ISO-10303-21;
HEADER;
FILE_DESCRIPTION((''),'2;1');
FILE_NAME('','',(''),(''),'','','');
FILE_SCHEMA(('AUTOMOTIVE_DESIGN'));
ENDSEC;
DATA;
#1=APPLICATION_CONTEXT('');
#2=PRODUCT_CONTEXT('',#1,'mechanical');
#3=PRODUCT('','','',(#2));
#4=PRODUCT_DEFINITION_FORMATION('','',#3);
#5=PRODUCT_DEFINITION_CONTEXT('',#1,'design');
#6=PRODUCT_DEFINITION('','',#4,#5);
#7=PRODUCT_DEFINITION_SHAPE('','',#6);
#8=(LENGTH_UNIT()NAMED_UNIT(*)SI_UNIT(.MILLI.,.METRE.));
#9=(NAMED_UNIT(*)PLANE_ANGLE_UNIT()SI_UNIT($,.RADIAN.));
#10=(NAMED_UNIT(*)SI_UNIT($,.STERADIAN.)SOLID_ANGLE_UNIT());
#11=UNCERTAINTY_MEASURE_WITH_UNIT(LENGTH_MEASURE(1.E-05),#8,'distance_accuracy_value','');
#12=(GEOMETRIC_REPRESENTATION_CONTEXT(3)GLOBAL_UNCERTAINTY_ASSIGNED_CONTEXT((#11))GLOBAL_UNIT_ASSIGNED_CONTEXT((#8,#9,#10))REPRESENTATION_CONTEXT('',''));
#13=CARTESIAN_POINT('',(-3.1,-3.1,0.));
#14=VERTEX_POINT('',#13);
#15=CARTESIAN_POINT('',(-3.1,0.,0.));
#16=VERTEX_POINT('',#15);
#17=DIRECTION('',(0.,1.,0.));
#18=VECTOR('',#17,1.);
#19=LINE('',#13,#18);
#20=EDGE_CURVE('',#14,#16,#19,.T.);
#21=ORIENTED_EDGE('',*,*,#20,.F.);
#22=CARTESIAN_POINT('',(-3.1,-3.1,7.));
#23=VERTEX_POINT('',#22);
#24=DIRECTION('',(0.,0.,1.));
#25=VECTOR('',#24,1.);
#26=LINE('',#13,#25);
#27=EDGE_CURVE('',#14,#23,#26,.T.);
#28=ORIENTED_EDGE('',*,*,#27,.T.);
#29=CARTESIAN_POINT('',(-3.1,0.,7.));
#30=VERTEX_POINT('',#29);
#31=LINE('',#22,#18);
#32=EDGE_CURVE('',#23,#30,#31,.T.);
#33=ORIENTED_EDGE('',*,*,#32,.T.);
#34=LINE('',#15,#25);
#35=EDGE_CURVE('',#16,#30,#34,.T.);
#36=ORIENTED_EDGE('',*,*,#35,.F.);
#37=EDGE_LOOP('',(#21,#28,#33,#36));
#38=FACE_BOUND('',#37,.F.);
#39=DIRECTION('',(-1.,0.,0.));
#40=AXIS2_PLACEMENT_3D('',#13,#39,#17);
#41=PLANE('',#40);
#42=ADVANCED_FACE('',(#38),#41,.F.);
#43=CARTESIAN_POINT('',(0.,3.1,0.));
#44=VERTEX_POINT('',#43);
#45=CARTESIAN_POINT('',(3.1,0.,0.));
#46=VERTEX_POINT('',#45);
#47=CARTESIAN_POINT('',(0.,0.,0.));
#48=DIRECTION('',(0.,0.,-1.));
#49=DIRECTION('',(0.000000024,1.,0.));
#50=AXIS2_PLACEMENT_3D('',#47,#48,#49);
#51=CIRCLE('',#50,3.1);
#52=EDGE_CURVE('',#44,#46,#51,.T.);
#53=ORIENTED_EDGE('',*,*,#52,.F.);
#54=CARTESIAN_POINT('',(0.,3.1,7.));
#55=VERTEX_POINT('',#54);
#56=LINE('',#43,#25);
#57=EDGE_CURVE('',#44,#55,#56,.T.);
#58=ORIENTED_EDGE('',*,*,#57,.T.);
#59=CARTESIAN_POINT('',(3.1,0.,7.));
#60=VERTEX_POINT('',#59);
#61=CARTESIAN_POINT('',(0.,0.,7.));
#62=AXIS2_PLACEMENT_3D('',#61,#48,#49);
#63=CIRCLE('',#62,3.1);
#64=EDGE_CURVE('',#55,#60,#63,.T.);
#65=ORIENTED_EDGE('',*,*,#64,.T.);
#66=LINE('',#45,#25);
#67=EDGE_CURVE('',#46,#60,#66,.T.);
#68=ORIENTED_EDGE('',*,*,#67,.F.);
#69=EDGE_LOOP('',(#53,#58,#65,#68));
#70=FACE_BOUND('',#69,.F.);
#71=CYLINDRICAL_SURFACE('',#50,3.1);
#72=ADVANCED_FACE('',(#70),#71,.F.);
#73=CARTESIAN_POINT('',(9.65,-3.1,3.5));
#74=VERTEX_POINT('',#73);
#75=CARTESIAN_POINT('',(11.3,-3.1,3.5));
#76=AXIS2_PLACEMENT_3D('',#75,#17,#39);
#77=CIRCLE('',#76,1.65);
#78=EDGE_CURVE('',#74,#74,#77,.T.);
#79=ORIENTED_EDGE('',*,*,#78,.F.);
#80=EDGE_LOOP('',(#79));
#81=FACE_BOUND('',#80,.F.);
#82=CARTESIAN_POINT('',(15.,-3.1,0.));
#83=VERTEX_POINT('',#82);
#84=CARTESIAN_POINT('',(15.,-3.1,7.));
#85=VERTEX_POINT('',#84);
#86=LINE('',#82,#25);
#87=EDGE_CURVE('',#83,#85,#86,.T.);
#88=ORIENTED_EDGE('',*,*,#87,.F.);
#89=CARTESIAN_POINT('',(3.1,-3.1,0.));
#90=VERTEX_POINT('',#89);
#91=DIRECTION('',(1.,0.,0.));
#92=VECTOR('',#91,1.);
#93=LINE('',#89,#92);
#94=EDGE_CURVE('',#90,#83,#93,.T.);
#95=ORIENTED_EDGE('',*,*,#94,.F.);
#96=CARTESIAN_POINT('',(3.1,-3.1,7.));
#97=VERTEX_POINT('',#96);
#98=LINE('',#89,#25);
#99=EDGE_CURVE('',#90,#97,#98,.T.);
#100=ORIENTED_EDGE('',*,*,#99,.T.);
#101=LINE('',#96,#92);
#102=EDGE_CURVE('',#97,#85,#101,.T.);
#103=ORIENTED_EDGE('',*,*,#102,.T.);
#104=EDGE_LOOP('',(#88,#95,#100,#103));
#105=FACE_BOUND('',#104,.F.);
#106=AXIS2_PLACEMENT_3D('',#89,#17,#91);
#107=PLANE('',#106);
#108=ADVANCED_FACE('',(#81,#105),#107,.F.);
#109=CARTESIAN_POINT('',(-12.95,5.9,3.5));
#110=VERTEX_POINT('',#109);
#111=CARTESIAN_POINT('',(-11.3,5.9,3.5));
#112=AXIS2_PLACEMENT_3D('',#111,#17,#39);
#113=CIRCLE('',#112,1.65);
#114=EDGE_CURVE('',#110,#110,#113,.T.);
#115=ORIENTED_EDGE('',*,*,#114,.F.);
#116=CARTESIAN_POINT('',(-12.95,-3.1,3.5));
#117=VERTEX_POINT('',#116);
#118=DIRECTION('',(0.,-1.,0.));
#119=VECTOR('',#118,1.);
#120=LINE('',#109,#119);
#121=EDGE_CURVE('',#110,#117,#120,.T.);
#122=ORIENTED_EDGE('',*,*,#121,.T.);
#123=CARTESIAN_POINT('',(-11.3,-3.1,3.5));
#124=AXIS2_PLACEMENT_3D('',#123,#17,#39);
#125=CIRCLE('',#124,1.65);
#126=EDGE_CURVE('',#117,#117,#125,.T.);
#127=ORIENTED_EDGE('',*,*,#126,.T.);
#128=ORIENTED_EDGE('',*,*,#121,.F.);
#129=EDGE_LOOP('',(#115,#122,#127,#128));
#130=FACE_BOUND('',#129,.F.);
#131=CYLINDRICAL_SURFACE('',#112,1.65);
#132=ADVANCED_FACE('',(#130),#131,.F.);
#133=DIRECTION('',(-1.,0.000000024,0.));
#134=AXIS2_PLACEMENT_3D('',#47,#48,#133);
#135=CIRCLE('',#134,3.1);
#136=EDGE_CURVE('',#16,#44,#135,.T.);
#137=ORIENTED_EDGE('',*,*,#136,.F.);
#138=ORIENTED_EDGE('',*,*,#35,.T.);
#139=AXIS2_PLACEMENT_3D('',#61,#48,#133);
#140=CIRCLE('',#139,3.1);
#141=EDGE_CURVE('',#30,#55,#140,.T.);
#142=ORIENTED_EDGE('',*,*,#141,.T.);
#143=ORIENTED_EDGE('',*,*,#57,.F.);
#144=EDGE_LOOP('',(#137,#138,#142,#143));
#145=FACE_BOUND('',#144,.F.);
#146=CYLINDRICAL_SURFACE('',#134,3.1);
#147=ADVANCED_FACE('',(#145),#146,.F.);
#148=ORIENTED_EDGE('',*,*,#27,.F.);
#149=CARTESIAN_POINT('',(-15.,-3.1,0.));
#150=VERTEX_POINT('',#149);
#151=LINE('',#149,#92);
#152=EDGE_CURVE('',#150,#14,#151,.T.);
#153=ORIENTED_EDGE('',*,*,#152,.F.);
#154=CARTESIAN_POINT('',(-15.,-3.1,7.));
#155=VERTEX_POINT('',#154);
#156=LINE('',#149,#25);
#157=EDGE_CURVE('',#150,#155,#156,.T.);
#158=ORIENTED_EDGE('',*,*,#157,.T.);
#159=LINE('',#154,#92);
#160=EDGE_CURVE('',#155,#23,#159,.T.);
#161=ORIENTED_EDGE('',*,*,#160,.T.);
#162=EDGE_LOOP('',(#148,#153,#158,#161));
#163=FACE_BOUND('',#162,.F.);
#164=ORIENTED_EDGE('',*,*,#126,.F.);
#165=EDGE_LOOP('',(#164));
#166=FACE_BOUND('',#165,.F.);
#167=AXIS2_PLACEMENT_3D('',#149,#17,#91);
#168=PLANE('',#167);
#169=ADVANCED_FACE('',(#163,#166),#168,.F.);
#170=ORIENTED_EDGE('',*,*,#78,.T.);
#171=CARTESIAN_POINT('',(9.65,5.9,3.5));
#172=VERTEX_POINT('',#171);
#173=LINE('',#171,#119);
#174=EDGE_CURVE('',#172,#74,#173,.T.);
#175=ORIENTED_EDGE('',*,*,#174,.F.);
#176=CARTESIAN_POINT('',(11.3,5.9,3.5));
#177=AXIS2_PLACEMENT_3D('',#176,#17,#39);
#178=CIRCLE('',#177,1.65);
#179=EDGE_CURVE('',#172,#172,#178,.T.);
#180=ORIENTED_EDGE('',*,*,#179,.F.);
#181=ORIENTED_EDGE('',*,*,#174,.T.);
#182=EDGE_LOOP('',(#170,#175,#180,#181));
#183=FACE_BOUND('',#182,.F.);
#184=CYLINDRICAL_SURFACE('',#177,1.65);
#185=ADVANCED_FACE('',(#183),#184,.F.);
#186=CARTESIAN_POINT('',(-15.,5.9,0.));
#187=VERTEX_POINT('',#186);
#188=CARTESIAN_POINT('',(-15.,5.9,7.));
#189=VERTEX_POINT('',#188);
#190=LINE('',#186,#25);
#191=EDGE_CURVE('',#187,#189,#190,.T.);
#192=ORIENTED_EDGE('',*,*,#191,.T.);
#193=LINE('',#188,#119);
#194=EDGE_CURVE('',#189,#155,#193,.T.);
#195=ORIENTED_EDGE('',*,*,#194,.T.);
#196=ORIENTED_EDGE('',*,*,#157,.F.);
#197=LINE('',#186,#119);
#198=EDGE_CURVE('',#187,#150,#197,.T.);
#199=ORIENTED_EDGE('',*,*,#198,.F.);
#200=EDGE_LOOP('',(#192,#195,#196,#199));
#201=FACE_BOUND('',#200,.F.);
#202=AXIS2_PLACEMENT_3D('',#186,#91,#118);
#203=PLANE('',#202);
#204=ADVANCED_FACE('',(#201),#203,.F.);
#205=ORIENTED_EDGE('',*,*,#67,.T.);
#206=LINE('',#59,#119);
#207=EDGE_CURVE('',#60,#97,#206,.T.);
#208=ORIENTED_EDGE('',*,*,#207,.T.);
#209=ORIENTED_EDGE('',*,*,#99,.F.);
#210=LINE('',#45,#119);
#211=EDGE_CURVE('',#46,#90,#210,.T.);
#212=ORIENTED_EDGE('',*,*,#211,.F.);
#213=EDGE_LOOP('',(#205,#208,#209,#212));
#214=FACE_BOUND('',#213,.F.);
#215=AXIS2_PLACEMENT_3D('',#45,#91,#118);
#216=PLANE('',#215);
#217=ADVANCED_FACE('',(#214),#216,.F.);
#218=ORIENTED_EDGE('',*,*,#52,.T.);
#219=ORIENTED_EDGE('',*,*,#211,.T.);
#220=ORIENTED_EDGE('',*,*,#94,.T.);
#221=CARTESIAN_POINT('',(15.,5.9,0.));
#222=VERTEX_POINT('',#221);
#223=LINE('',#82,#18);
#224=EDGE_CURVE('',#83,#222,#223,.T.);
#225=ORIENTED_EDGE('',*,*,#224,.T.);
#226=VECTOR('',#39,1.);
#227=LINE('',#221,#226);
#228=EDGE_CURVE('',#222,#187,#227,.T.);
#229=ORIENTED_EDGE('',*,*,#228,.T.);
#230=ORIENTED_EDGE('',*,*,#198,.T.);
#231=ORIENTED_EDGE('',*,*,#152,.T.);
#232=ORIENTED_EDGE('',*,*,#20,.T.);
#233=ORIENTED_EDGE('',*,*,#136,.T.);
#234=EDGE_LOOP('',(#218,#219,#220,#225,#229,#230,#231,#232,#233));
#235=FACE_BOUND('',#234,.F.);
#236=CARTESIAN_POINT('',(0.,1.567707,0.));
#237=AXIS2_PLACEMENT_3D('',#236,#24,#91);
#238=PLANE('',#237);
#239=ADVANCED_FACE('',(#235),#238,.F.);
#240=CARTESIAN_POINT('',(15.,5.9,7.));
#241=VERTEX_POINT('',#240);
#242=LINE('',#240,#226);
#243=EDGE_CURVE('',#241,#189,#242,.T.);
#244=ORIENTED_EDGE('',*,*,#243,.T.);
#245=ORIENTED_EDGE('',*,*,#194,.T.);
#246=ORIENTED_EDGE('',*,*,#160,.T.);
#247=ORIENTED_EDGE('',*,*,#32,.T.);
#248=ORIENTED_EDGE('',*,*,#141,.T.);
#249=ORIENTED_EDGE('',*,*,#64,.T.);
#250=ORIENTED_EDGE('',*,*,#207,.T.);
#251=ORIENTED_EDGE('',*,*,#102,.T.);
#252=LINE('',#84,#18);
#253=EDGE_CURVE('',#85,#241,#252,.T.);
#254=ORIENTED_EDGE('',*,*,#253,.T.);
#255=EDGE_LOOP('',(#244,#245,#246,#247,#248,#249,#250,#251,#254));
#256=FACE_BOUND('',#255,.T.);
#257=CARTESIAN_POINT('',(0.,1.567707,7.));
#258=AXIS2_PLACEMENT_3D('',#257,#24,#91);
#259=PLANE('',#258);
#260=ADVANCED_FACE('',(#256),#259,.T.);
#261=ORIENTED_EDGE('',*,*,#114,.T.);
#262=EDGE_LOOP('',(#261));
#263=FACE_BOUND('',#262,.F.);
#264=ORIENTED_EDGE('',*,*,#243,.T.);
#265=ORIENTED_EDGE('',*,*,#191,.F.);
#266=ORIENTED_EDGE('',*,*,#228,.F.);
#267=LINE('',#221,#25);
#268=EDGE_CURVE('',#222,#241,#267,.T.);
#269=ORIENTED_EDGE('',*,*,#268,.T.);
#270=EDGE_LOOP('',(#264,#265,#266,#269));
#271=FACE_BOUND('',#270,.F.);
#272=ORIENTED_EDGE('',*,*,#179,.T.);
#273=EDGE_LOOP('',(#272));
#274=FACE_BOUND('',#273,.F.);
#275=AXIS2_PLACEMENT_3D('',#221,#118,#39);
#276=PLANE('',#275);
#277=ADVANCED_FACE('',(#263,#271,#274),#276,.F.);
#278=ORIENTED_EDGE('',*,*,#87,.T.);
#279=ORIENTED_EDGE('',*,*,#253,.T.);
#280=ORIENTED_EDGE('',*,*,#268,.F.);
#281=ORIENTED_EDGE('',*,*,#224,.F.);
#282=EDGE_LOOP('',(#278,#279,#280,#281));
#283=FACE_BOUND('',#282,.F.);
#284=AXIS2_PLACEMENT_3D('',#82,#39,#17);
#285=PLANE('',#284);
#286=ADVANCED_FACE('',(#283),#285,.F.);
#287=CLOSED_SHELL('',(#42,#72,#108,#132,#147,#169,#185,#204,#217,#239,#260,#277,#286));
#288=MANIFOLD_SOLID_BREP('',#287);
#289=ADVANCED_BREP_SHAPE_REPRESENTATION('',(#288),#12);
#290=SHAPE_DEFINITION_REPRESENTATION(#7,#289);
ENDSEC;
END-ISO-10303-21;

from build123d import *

# Parameters (mm, degrees)
F1_DEPTH = 7
F2_R     = 1.65
F3_DEPTH = 9.001


with BuildPart() as f1:
    # F0 (on Top) → F1 (new body)
    with BuildSketch(Plane.XY):
        with BuildLine():
            ThreePointArc((0, 3.1), (2.192031, 2.192031), (3.1, 0))
            Line((3.1, 0), (3.1, -3.1))
            Line((3.1, -3.1), (15, -3.1))
            Line((15, -3.1), (15, 5.9))
            Line((15, 5.9), (0, 5.9))
            Line((0, 5.9), (-15, 5.9))
            Line((-15, 5.9), (-15, -3.1))
            Line((-15, -3.1), (-3.1, -3.1))
            Line((-3.1, -3.1), (-3.1, 0))
            ThreePointArc((-3.1, 0), (-2.192031, 2.192031), (0, 3.1))
        make_face()
    extrude(amount=F1_DEPTH)

    # F2 (on face) → F3 (cut, through all)
    with BuildSketch(Plane(origin=(0, 5.9, 0), x_dir=(-1, 0, 0), z_dir=(0, 1, 0))):
        with Locations((11.3, 3.5)):
            Circle(F2_R)
        with Locations((-11.3, 3.5)):
            Circle(F2_R)
    extrude(amount=-F3_DEPTH, mode=Mode.SUBTRACT)


solid = f1.part
